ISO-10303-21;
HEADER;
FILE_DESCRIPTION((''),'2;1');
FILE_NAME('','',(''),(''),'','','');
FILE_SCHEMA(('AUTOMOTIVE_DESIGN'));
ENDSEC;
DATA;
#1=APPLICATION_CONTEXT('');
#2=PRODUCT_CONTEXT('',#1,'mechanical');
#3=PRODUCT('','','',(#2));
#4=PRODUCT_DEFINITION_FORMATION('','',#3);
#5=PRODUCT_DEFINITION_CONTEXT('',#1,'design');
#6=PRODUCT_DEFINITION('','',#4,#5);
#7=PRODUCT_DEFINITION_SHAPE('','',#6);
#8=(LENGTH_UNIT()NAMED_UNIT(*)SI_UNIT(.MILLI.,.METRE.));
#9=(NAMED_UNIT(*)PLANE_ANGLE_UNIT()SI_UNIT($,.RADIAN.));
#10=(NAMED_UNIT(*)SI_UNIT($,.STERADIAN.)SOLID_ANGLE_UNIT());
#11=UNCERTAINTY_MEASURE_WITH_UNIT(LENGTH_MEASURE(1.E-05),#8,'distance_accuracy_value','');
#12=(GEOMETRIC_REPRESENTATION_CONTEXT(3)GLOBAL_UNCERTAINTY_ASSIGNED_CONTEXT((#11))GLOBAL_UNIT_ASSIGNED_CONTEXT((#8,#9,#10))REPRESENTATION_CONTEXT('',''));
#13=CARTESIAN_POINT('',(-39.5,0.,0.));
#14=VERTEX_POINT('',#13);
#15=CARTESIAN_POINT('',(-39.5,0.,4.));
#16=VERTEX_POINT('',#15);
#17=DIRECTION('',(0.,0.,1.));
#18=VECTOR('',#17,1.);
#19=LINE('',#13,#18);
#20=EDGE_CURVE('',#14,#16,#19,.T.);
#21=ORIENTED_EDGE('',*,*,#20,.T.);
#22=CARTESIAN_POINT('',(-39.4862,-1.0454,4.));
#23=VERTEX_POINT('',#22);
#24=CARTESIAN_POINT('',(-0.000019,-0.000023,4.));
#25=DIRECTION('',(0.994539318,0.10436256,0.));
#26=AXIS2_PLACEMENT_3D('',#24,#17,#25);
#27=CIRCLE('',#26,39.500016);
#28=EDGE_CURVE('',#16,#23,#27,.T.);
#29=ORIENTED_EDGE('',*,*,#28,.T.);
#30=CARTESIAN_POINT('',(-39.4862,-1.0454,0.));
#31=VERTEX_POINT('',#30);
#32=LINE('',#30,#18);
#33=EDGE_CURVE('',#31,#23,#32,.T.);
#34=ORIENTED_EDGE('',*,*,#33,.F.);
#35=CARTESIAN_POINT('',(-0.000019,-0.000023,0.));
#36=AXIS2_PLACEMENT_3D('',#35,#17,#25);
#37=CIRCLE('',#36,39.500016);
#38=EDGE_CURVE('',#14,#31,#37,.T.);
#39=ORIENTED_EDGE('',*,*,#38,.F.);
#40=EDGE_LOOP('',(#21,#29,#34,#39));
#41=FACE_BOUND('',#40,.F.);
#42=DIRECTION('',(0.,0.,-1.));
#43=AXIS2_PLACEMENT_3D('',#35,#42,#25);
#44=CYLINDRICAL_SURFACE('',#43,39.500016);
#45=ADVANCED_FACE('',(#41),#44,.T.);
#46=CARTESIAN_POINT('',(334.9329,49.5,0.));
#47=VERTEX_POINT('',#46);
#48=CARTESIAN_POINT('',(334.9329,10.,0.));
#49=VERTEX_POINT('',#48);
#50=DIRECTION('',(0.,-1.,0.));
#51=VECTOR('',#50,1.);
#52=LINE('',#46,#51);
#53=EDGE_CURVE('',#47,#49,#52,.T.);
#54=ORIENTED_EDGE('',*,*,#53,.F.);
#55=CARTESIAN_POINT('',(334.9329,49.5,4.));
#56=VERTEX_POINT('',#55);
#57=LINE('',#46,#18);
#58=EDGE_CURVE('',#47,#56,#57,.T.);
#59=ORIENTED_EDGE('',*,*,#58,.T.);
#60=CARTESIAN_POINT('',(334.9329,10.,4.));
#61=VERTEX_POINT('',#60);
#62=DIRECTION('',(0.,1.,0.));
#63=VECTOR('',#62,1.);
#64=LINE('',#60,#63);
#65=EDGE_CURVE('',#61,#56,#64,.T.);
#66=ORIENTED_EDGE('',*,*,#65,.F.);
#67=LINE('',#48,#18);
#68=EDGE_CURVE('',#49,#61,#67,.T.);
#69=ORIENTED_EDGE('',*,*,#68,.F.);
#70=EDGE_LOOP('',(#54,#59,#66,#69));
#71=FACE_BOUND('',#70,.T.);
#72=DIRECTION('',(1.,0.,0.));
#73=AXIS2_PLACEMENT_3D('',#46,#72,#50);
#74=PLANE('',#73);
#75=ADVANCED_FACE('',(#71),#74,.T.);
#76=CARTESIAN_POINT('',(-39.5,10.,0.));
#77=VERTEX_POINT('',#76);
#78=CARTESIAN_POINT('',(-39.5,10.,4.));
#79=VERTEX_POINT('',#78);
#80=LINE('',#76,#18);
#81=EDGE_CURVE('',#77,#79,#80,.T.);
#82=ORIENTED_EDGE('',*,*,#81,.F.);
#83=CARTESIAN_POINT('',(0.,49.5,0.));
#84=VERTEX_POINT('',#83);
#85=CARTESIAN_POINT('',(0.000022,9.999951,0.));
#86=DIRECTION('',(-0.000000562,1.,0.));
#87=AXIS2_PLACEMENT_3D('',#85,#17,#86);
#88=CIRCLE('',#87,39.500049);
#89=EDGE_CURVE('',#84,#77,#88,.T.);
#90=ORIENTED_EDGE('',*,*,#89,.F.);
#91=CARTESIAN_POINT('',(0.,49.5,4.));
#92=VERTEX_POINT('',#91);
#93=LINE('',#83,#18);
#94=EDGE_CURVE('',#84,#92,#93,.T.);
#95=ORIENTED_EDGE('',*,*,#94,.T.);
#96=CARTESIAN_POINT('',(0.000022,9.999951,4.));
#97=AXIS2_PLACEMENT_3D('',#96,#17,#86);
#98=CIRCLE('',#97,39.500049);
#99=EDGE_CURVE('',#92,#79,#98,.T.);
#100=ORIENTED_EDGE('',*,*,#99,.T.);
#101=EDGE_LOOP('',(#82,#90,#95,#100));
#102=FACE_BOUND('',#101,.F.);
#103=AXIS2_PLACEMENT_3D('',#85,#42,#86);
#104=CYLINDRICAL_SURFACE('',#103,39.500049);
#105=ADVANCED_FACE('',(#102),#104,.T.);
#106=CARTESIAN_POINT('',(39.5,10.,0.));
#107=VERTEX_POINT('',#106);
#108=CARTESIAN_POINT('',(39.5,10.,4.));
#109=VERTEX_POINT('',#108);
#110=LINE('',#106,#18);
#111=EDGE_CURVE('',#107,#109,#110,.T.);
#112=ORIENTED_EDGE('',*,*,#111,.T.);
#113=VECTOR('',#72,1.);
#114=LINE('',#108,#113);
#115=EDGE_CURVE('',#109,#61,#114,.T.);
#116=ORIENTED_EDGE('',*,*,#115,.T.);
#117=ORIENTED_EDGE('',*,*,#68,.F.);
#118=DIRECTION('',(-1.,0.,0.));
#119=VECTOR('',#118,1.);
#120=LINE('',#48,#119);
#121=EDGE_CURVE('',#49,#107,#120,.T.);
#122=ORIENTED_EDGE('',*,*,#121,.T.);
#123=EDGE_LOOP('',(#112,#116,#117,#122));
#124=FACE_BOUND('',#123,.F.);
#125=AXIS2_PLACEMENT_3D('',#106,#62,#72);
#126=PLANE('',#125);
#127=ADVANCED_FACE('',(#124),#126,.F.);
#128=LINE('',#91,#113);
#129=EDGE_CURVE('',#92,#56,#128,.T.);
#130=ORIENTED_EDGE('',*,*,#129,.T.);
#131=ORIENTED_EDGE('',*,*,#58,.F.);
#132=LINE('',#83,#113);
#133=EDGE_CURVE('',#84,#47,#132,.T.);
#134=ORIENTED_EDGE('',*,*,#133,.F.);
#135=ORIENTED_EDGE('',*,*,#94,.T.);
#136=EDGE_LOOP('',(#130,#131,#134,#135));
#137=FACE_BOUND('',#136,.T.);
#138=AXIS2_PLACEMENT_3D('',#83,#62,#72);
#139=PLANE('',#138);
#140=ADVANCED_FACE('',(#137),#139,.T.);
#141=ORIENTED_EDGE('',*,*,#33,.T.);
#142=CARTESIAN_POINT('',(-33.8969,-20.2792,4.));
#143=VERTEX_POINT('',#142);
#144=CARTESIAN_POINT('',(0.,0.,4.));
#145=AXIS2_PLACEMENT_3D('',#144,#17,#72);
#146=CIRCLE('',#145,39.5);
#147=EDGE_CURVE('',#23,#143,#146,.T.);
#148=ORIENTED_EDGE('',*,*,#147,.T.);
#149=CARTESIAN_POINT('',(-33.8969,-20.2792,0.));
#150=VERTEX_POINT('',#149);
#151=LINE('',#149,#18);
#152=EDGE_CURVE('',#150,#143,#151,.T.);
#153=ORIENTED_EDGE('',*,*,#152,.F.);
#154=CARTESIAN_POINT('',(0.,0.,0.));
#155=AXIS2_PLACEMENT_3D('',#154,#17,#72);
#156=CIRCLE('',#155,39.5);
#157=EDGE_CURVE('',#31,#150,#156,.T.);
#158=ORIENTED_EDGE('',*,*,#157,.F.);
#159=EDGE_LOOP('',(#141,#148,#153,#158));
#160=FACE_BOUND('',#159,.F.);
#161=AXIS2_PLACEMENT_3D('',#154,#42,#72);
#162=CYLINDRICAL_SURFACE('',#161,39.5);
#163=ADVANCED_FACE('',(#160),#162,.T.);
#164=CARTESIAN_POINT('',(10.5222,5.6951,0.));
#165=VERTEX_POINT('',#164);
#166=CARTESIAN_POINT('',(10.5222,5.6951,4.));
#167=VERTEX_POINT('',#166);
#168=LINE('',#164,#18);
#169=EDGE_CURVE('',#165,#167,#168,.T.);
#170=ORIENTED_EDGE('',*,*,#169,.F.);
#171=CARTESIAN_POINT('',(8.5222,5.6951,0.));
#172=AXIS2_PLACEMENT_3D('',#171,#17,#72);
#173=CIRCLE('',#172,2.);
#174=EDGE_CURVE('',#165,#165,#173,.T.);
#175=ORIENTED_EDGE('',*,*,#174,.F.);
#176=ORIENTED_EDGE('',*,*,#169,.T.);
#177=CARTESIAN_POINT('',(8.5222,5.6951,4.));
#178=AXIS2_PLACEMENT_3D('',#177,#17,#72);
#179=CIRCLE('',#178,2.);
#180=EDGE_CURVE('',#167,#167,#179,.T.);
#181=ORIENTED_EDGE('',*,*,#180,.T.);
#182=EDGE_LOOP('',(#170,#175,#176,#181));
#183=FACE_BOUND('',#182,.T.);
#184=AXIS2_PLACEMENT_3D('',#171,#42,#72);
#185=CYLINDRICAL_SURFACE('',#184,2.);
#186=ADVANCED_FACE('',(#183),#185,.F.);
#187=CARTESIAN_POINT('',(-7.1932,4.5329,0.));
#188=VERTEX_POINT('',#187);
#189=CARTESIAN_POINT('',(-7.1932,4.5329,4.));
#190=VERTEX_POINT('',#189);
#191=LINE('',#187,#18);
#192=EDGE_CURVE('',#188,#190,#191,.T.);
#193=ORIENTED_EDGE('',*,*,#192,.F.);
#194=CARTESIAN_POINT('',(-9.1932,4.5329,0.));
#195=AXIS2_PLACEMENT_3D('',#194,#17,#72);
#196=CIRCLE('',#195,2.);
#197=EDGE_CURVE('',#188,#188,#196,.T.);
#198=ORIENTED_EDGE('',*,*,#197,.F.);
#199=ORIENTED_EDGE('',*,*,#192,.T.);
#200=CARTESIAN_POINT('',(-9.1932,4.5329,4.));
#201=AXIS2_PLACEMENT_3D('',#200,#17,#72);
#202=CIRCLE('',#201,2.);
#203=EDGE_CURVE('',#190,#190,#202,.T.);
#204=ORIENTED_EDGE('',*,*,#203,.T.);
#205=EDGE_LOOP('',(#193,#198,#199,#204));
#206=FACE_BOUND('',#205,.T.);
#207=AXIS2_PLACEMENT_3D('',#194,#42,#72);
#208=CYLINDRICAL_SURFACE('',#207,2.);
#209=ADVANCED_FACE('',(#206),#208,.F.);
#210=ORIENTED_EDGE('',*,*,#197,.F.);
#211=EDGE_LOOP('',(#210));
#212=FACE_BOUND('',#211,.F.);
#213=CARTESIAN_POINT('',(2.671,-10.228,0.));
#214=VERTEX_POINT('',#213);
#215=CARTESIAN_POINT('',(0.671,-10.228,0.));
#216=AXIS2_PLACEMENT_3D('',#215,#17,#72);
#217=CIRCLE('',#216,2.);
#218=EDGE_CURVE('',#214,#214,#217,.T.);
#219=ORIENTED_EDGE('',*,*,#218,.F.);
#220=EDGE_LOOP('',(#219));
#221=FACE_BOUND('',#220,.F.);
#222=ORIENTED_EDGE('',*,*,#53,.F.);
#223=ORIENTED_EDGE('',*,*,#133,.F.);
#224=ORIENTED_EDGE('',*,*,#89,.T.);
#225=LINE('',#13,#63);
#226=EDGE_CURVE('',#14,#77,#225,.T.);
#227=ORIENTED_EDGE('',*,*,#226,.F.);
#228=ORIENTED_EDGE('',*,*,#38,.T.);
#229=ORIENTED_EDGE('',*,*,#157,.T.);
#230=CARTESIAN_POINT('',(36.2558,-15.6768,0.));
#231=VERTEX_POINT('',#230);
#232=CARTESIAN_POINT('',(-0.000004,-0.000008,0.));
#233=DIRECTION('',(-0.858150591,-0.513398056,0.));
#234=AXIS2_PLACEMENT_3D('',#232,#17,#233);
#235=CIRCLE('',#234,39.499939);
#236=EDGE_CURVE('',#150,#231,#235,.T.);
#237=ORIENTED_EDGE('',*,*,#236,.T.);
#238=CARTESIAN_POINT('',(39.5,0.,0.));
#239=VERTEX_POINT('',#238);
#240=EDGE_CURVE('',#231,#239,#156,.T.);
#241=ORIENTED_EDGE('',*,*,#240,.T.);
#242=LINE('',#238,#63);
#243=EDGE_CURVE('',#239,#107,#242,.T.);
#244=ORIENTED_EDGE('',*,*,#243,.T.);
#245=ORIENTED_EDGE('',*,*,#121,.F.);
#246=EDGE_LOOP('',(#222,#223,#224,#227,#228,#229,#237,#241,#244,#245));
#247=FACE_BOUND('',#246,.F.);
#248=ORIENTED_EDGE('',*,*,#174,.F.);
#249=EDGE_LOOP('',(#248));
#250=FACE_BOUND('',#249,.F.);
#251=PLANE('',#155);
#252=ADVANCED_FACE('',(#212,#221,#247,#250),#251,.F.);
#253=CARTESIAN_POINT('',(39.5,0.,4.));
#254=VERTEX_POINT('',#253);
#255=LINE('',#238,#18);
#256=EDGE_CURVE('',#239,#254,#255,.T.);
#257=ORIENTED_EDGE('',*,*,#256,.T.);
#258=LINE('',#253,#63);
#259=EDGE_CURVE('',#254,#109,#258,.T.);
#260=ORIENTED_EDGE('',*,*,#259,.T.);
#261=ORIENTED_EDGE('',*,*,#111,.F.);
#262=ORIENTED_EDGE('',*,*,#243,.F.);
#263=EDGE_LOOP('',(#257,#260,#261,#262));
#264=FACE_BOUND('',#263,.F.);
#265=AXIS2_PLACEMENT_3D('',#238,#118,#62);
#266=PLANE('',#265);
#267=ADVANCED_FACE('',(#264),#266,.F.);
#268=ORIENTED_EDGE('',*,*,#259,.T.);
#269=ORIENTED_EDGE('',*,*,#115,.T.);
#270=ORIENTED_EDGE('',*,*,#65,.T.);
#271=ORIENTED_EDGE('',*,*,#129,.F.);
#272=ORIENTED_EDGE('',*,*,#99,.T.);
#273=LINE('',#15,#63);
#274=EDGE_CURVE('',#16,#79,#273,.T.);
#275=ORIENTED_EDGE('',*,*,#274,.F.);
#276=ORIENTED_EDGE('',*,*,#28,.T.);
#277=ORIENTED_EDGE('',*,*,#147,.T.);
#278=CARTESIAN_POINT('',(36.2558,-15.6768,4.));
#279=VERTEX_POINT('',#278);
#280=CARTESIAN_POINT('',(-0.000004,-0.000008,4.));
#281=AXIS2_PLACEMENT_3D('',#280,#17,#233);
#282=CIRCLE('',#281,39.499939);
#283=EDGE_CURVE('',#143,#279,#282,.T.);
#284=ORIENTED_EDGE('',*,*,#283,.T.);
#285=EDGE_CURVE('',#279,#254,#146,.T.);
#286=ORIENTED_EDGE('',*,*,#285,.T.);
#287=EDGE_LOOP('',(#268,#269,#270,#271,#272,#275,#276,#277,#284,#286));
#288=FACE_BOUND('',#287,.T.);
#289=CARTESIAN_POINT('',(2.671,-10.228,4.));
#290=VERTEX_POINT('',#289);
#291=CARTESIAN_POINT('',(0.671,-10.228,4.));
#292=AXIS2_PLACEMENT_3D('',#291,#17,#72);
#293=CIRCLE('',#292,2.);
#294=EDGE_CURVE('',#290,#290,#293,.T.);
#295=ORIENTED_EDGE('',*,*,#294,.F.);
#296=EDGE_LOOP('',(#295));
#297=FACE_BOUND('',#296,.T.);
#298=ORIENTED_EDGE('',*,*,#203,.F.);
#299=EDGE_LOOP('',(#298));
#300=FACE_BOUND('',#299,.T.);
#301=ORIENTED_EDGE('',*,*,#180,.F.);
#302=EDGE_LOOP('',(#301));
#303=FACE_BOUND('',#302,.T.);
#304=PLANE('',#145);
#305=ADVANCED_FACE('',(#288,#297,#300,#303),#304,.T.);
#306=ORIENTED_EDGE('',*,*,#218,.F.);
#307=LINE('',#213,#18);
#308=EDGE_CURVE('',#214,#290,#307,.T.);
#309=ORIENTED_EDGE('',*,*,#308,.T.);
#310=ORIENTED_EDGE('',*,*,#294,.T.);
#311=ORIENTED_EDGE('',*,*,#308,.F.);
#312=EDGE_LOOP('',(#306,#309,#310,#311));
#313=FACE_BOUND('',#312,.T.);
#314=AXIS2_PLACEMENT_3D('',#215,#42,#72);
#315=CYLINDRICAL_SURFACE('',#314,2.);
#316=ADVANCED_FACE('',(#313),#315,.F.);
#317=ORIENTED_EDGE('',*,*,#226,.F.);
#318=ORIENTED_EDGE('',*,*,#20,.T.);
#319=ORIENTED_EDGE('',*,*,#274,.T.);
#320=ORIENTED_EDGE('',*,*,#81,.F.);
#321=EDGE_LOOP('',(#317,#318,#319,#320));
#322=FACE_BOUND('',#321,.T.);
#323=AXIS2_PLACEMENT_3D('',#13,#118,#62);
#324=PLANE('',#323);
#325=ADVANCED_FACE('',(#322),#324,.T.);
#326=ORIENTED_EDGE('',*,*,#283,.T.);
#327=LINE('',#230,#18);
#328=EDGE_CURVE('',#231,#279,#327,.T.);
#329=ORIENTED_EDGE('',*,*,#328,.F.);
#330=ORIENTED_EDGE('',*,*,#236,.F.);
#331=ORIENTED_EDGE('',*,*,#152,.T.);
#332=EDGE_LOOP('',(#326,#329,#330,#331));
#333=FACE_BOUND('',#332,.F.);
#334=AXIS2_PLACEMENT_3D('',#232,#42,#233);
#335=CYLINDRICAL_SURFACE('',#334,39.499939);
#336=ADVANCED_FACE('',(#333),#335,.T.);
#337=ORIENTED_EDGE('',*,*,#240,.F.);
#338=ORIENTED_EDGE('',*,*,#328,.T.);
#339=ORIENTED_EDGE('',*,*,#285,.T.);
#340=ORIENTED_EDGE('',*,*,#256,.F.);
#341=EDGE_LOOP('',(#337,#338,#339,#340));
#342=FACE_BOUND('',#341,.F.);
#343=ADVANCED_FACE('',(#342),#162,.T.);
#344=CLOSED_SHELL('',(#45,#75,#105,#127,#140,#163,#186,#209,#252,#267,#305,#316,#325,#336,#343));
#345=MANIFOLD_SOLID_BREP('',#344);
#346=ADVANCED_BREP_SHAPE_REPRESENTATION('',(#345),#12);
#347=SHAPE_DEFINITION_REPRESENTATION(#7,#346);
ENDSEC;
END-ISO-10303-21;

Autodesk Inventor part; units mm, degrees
ref_plane "YZ Plane" through (0, 0, 0) normal (1, 0, 0) x (0, 1, 0)
ref_plane "XZ Plane" through (0, 0, 0) normal (0, 1, 0) x (-1, 0, 0)
ref_plane "XY Plane" through (0, 0, 0) normal (0, 0, 1) x (1, 0, 0)
sketch "Sketch1" plane through (0, 0, 0) normal (0, 0, 1) x (1, 0, 0)
  circle A0 centre (0, 0) radius 22.3333 projected
  circle A1 centre (8.5222, 5.6951) radius 2 projected
  circle A2 centre (0.671, -10.228) radius 2 projected
  circle A3 centre (-9.1932, 4.5329) radius 2 projected
  arc A4 (-33.8969, -20.2792) -> (36.2558, -15.6768) centre (0, 0) ccw projected
  arc A5 (39.2843, 4.1223) -> (-39.4862, -1.0454) centre (0, 0) ccw projected
  circle A6 centre (0, 0) radius 39.5
  line L0 (364.1325, 23.8889) -> (45.9013, 3.0114) projected
  line L1 (26.2679, 39.5) -> (334.9329, 39.5)
  line L2 (334.9329, 39.5) -> (334.9329, 0)
  line L3 (39.5, 10) -> (334.9329, 10)
  line L4 (334.9329, 10) -> (334.9329, 0)
  line L5 (334.9329, 39.5) -> (26.2679, 39.5)
  line L6 (0, 49.5) -> (334.9329, 49.5)
  line L7 (334.9329, 49.5) -> (334.9329, 39.5)
  arc A7 (39.1823, 5) -> (26.2679, 39.5) centre (0, 10) ccw
  arc A8 (0, 49.5) -> (-39.1823, 5) centre (0, 10) ccw
  line L8 (0, 0) -> (-39.5, 0)
  line L9 (-39.5, 0) -> (-39.5, 10)
  line L10 (39.5, 0) -> (39.5, 10)
  point P0 (0, 0)
  point P1 (-39.4862, -1.0454)
  point P2 (-33.8969, -20.2792)
  point P3 (36.2558, -15.6768)
extrude "Extrusion1" add sketch "Sketch1" along normal blind 4 contours A0 | A5 A6 A4 | L9 A8 A5 | A8 L6 L7 L1 A7 A5 | A7 L10 A6 A5 | A7 L1 L2 L0 L3 | L0 L2 L3
properties part number "lokiec"
